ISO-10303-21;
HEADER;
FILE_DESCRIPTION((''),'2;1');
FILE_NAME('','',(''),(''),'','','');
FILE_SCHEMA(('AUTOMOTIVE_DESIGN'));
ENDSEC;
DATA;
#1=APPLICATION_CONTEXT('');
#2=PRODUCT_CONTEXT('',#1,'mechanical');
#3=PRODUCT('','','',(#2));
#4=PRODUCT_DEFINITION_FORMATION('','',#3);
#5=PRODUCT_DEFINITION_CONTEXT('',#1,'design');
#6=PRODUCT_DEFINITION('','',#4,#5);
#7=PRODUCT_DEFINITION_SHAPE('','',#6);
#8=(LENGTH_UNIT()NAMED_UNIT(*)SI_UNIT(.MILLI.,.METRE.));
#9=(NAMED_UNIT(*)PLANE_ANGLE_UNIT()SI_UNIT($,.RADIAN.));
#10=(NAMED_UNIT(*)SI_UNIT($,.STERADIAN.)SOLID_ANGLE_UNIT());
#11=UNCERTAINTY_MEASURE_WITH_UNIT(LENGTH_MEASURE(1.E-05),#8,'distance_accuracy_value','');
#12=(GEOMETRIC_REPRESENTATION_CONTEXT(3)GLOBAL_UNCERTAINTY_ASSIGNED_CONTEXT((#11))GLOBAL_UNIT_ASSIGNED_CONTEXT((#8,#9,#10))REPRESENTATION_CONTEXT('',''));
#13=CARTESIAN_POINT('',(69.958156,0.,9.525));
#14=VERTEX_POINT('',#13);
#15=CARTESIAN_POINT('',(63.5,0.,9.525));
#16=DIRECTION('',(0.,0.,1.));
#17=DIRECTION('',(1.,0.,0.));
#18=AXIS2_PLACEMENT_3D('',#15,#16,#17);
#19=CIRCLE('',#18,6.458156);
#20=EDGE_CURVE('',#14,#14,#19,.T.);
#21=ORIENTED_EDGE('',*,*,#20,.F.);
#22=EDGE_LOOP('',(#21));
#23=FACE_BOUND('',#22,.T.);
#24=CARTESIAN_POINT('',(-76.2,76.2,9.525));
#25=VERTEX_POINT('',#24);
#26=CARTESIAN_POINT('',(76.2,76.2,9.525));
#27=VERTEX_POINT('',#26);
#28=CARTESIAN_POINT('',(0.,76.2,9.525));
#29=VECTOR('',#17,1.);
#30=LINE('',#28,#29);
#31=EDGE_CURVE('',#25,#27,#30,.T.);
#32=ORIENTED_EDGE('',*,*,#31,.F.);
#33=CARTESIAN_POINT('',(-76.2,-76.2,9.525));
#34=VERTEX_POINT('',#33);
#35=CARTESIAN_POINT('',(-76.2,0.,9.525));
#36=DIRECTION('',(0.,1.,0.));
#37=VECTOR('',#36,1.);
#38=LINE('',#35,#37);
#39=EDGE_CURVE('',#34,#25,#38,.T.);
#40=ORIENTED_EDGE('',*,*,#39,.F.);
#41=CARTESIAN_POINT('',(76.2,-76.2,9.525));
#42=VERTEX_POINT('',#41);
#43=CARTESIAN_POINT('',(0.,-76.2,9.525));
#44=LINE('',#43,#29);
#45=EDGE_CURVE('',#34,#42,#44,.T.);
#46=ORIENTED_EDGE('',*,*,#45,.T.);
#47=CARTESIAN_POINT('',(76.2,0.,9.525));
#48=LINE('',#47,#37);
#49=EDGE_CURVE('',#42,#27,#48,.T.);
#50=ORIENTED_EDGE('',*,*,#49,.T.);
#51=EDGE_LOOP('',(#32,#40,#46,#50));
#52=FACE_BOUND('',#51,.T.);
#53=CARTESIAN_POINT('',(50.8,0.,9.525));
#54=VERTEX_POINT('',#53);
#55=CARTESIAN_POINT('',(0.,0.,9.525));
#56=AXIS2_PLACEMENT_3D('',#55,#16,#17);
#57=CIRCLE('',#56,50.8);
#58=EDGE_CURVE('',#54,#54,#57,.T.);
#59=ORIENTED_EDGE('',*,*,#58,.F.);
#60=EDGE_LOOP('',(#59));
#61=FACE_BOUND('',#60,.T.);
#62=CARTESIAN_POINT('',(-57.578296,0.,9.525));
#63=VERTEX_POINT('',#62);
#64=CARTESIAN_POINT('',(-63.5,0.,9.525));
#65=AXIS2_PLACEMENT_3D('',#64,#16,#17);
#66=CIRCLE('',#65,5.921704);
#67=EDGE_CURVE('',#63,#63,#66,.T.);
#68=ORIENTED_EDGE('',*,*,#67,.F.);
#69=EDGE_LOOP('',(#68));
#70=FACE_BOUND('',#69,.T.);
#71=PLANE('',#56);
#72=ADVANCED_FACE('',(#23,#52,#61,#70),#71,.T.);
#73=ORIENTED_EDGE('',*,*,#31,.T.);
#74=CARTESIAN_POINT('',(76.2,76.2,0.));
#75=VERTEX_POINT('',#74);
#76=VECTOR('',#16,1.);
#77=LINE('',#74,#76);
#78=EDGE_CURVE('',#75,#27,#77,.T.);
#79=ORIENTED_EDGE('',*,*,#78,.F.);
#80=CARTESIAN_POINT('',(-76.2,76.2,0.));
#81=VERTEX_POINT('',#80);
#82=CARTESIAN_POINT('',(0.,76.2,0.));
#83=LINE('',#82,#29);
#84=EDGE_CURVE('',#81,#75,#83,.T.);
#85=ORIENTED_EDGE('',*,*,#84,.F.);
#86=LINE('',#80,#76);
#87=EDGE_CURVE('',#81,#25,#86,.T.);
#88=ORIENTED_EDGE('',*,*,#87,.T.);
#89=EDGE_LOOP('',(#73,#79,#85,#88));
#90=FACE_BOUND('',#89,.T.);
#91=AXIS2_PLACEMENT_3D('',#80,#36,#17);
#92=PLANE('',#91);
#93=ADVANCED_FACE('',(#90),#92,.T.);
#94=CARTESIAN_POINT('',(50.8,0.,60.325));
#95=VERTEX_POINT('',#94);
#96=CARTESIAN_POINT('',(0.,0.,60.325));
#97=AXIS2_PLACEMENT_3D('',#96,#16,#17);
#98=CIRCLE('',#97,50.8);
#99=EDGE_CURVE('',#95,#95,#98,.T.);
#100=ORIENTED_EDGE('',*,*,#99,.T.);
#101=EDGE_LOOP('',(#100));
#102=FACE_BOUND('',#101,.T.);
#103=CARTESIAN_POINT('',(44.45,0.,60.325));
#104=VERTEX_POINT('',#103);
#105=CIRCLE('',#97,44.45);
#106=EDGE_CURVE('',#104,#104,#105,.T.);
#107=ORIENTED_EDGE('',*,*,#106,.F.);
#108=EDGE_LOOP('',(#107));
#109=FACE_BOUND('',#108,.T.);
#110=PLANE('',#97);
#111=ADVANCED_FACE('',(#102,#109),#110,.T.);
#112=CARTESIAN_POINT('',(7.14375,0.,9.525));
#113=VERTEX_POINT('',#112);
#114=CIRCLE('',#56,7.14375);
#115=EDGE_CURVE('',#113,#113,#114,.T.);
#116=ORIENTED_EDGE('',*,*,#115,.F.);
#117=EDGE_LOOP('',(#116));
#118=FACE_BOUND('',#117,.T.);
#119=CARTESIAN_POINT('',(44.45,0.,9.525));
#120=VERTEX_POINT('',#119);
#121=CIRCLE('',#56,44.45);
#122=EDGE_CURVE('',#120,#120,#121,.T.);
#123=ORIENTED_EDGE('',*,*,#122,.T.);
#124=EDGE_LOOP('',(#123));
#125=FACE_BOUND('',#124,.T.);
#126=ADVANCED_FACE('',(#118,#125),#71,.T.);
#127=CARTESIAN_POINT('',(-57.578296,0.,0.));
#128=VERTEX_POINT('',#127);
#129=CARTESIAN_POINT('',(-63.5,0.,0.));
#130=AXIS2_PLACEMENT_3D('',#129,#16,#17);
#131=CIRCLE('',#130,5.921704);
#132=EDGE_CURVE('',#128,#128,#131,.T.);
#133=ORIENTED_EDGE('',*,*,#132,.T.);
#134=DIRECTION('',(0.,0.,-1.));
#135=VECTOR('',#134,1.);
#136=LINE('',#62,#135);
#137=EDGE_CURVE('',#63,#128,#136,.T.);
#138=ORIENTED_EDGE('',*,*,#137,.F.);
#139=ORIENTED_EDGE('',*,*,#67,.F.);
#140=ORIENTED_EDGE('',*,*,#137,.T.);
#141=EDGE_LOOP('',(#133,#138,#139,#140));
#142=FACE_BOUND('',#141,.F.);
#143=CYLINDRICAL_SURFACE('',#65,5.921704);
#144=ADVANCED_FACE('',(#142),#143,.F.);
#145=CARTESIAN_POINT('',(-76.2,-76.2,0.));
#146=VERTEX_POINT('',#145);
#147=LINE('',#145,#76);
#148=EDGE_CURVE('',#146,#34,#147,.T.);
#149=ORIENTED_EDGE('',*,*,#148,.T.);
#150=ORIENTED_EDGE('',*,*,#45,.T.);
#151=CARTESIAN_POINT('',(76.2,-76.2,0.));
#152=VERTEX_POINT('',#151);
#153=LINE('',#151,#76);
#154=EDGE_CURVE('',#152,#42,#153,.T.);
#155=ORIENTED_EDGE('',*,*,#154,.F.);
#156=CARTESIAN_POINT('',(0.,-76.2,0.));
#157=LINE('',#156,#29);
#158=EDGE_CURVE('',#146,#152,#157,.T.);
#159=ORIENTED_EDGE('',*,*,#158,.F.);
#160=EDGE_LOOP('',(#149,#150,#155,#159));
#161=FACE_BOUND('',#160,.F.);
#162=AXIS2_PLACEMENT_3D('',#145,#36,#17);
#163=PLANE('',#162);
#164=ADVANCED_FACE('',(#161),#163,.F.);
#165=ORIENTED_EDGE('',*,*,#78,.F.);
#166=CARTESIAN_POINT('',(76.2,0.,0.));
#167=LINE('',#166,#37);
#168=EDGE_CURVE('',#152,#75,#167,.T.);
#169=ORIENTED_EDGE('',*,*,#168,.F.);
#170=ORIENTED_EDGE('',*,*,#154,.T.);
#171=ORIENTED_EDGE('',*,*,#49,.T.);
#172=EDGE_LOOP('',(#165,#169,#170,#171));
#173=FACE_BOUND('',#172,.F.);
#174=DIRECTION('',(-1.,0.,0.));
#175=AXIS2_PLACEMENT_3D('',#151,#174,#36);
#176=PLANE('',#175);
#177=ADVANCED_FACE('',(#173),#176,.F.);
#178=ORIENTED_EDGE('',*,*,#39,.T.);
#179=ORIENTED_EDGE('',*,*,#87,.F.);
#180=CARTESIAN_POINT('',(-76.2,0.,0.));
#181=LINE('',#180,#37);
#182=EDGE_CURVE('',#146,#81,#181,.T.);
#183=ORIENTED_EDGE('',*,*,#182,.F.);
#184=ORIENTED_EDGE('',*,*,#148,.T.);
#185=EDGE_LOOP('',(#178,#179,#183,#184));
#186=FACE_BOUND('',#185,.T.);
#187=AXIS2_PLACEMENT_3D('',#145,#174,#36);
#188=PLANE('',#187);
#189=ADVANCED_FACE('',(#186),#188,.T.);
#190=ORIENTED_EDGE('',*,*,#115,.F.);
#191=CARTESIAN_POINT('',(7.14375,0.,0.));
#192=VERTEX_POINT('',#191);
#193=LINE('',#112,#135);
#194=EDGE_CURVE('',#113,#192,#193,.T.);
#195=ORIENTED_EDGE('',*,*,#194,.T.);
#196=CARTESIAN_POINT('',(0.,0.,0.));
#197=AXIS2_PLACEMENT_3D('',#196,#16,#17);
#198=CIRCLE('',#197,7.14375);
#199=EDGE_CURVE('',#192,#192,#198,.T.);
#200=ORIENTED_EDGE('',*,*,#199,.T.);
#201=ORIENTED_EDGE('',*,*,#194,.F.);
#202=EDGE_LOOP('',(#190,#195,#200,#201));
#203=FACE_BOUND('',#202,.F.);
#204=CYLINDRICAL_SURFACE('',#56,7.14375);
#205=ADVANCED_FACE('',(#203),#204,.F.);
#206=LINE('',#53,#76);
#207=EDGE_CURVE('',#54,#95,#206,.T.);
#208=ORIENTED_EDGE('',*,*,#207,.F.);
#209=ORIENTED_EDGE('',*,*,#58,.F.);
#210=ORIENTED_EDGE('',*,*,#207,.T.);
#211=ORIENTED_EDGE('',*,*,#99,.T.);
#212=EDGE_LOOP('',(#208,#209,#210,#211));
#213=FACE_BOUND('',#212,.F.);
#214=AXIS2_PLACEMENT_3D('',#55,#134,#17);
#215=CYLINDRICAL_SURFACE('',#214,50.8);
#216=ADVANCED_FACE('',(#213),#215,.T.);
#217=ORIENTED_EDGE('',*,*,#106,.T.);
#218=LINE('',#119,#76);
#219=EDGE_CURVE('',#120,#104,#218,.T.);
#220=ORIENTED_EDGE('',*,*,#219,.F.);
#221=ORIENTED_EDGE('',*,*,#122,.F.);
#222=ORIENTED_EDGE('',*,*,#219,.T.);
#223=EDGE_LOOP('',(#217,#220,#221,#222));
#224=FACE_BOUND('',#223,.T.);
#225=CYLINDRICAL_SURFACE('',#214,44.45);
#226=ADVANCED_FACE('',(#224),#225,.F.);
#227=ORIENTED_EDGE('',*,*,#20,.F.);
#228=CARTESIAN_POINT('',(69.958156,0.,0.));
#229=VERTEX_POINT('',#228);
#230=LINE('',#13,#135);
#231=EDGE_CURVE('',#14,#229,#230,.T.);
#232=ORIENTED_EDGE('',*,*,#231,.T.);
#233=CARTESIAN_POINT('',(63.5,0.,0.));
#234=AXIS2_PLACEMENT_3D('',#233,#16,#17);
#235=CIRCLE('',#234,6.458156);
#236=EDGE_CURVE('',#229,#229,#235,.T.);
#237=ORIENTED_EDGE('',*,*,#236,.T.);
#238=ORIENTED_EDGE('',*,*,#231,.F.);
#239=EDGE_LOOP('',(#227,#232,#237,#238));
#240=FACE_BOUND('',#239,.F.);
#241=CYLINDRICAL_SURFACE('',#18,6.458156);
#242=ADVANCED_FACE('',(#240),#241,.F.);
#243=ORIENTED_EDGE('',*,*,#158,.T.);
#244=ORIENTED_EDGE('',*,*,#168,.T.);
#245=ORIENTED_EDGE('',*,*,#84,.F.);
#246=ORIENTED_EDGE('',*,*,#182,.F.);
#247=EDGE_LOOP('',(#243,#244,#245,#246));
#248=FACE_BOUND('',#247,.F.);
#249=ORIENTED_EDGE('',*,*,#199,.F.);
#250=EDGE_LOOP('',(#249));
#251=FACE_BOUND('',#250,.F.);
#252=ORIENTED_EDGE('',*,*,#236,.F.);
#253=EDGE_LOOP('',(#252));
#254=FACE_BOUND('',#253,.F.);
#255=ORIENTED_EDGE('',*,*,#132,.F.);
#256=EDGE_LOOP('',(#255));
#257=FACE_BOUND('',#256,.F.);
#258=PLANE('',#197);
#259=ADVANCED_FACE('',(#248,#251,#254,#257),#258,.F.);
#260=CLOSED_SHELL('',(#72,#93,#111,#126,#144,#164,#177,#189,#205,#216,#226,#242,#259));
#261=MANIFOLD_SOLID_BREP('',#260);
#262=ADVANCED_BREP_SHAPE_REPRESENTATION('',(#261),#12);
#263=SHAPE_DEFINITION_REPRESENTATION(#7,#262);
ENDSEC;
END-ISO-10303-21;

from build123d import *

# Parameters (mm, degrees)
F0_W     = 152.4
F0_H     = 152.4
F1_DEPTH = 9.525
F2_R     = 50.8
F2_R_2   = 44.45
F3_DEPTH = 50.8
F4_R     = 7.14375
F5_DEPTH = 25.4
F6_R     = 6.458156
F6_R_2   = 5.921704
F7_DEPTH = 25.4


with BuildPart() as f1:
    # F0 (on Top) → F1 (new body)
    with BuildSketch(Plane.XY):
        Rectangle(F0_W, F0_H)
    extrude(amount=F1_DEPTH)

    # F2 (on face) → F3 (join)
    with BuildSketch(Plane.XY.offset(9.525)):
        Circle(F2_R)
        Circle(F2_R_2, mode=Mode.SUBTRACT)
    extrude(amount=F3_DEPTH)

    # F4 (on face) → F5 (cut)
    with BuildSketch(Plane.XY.offset(9.525)):
        Circle(F4_R)
    extrude(amount=-F5_DEPTH, mode=Mode.SUBTRACT)

    # F6 (on face) → F7 (cut)
    with BuildSketch(Plane.XY.offset(9.525)):
        with Locations((63.5, 0)):
            Circle(F6_R)
        with Locations((-63.5, 0)):
            Circle(F6_R_2)
    extrude(amount=-F7_DEPTH, mode=Mode.SUBTRACT)


solid = f1.part
